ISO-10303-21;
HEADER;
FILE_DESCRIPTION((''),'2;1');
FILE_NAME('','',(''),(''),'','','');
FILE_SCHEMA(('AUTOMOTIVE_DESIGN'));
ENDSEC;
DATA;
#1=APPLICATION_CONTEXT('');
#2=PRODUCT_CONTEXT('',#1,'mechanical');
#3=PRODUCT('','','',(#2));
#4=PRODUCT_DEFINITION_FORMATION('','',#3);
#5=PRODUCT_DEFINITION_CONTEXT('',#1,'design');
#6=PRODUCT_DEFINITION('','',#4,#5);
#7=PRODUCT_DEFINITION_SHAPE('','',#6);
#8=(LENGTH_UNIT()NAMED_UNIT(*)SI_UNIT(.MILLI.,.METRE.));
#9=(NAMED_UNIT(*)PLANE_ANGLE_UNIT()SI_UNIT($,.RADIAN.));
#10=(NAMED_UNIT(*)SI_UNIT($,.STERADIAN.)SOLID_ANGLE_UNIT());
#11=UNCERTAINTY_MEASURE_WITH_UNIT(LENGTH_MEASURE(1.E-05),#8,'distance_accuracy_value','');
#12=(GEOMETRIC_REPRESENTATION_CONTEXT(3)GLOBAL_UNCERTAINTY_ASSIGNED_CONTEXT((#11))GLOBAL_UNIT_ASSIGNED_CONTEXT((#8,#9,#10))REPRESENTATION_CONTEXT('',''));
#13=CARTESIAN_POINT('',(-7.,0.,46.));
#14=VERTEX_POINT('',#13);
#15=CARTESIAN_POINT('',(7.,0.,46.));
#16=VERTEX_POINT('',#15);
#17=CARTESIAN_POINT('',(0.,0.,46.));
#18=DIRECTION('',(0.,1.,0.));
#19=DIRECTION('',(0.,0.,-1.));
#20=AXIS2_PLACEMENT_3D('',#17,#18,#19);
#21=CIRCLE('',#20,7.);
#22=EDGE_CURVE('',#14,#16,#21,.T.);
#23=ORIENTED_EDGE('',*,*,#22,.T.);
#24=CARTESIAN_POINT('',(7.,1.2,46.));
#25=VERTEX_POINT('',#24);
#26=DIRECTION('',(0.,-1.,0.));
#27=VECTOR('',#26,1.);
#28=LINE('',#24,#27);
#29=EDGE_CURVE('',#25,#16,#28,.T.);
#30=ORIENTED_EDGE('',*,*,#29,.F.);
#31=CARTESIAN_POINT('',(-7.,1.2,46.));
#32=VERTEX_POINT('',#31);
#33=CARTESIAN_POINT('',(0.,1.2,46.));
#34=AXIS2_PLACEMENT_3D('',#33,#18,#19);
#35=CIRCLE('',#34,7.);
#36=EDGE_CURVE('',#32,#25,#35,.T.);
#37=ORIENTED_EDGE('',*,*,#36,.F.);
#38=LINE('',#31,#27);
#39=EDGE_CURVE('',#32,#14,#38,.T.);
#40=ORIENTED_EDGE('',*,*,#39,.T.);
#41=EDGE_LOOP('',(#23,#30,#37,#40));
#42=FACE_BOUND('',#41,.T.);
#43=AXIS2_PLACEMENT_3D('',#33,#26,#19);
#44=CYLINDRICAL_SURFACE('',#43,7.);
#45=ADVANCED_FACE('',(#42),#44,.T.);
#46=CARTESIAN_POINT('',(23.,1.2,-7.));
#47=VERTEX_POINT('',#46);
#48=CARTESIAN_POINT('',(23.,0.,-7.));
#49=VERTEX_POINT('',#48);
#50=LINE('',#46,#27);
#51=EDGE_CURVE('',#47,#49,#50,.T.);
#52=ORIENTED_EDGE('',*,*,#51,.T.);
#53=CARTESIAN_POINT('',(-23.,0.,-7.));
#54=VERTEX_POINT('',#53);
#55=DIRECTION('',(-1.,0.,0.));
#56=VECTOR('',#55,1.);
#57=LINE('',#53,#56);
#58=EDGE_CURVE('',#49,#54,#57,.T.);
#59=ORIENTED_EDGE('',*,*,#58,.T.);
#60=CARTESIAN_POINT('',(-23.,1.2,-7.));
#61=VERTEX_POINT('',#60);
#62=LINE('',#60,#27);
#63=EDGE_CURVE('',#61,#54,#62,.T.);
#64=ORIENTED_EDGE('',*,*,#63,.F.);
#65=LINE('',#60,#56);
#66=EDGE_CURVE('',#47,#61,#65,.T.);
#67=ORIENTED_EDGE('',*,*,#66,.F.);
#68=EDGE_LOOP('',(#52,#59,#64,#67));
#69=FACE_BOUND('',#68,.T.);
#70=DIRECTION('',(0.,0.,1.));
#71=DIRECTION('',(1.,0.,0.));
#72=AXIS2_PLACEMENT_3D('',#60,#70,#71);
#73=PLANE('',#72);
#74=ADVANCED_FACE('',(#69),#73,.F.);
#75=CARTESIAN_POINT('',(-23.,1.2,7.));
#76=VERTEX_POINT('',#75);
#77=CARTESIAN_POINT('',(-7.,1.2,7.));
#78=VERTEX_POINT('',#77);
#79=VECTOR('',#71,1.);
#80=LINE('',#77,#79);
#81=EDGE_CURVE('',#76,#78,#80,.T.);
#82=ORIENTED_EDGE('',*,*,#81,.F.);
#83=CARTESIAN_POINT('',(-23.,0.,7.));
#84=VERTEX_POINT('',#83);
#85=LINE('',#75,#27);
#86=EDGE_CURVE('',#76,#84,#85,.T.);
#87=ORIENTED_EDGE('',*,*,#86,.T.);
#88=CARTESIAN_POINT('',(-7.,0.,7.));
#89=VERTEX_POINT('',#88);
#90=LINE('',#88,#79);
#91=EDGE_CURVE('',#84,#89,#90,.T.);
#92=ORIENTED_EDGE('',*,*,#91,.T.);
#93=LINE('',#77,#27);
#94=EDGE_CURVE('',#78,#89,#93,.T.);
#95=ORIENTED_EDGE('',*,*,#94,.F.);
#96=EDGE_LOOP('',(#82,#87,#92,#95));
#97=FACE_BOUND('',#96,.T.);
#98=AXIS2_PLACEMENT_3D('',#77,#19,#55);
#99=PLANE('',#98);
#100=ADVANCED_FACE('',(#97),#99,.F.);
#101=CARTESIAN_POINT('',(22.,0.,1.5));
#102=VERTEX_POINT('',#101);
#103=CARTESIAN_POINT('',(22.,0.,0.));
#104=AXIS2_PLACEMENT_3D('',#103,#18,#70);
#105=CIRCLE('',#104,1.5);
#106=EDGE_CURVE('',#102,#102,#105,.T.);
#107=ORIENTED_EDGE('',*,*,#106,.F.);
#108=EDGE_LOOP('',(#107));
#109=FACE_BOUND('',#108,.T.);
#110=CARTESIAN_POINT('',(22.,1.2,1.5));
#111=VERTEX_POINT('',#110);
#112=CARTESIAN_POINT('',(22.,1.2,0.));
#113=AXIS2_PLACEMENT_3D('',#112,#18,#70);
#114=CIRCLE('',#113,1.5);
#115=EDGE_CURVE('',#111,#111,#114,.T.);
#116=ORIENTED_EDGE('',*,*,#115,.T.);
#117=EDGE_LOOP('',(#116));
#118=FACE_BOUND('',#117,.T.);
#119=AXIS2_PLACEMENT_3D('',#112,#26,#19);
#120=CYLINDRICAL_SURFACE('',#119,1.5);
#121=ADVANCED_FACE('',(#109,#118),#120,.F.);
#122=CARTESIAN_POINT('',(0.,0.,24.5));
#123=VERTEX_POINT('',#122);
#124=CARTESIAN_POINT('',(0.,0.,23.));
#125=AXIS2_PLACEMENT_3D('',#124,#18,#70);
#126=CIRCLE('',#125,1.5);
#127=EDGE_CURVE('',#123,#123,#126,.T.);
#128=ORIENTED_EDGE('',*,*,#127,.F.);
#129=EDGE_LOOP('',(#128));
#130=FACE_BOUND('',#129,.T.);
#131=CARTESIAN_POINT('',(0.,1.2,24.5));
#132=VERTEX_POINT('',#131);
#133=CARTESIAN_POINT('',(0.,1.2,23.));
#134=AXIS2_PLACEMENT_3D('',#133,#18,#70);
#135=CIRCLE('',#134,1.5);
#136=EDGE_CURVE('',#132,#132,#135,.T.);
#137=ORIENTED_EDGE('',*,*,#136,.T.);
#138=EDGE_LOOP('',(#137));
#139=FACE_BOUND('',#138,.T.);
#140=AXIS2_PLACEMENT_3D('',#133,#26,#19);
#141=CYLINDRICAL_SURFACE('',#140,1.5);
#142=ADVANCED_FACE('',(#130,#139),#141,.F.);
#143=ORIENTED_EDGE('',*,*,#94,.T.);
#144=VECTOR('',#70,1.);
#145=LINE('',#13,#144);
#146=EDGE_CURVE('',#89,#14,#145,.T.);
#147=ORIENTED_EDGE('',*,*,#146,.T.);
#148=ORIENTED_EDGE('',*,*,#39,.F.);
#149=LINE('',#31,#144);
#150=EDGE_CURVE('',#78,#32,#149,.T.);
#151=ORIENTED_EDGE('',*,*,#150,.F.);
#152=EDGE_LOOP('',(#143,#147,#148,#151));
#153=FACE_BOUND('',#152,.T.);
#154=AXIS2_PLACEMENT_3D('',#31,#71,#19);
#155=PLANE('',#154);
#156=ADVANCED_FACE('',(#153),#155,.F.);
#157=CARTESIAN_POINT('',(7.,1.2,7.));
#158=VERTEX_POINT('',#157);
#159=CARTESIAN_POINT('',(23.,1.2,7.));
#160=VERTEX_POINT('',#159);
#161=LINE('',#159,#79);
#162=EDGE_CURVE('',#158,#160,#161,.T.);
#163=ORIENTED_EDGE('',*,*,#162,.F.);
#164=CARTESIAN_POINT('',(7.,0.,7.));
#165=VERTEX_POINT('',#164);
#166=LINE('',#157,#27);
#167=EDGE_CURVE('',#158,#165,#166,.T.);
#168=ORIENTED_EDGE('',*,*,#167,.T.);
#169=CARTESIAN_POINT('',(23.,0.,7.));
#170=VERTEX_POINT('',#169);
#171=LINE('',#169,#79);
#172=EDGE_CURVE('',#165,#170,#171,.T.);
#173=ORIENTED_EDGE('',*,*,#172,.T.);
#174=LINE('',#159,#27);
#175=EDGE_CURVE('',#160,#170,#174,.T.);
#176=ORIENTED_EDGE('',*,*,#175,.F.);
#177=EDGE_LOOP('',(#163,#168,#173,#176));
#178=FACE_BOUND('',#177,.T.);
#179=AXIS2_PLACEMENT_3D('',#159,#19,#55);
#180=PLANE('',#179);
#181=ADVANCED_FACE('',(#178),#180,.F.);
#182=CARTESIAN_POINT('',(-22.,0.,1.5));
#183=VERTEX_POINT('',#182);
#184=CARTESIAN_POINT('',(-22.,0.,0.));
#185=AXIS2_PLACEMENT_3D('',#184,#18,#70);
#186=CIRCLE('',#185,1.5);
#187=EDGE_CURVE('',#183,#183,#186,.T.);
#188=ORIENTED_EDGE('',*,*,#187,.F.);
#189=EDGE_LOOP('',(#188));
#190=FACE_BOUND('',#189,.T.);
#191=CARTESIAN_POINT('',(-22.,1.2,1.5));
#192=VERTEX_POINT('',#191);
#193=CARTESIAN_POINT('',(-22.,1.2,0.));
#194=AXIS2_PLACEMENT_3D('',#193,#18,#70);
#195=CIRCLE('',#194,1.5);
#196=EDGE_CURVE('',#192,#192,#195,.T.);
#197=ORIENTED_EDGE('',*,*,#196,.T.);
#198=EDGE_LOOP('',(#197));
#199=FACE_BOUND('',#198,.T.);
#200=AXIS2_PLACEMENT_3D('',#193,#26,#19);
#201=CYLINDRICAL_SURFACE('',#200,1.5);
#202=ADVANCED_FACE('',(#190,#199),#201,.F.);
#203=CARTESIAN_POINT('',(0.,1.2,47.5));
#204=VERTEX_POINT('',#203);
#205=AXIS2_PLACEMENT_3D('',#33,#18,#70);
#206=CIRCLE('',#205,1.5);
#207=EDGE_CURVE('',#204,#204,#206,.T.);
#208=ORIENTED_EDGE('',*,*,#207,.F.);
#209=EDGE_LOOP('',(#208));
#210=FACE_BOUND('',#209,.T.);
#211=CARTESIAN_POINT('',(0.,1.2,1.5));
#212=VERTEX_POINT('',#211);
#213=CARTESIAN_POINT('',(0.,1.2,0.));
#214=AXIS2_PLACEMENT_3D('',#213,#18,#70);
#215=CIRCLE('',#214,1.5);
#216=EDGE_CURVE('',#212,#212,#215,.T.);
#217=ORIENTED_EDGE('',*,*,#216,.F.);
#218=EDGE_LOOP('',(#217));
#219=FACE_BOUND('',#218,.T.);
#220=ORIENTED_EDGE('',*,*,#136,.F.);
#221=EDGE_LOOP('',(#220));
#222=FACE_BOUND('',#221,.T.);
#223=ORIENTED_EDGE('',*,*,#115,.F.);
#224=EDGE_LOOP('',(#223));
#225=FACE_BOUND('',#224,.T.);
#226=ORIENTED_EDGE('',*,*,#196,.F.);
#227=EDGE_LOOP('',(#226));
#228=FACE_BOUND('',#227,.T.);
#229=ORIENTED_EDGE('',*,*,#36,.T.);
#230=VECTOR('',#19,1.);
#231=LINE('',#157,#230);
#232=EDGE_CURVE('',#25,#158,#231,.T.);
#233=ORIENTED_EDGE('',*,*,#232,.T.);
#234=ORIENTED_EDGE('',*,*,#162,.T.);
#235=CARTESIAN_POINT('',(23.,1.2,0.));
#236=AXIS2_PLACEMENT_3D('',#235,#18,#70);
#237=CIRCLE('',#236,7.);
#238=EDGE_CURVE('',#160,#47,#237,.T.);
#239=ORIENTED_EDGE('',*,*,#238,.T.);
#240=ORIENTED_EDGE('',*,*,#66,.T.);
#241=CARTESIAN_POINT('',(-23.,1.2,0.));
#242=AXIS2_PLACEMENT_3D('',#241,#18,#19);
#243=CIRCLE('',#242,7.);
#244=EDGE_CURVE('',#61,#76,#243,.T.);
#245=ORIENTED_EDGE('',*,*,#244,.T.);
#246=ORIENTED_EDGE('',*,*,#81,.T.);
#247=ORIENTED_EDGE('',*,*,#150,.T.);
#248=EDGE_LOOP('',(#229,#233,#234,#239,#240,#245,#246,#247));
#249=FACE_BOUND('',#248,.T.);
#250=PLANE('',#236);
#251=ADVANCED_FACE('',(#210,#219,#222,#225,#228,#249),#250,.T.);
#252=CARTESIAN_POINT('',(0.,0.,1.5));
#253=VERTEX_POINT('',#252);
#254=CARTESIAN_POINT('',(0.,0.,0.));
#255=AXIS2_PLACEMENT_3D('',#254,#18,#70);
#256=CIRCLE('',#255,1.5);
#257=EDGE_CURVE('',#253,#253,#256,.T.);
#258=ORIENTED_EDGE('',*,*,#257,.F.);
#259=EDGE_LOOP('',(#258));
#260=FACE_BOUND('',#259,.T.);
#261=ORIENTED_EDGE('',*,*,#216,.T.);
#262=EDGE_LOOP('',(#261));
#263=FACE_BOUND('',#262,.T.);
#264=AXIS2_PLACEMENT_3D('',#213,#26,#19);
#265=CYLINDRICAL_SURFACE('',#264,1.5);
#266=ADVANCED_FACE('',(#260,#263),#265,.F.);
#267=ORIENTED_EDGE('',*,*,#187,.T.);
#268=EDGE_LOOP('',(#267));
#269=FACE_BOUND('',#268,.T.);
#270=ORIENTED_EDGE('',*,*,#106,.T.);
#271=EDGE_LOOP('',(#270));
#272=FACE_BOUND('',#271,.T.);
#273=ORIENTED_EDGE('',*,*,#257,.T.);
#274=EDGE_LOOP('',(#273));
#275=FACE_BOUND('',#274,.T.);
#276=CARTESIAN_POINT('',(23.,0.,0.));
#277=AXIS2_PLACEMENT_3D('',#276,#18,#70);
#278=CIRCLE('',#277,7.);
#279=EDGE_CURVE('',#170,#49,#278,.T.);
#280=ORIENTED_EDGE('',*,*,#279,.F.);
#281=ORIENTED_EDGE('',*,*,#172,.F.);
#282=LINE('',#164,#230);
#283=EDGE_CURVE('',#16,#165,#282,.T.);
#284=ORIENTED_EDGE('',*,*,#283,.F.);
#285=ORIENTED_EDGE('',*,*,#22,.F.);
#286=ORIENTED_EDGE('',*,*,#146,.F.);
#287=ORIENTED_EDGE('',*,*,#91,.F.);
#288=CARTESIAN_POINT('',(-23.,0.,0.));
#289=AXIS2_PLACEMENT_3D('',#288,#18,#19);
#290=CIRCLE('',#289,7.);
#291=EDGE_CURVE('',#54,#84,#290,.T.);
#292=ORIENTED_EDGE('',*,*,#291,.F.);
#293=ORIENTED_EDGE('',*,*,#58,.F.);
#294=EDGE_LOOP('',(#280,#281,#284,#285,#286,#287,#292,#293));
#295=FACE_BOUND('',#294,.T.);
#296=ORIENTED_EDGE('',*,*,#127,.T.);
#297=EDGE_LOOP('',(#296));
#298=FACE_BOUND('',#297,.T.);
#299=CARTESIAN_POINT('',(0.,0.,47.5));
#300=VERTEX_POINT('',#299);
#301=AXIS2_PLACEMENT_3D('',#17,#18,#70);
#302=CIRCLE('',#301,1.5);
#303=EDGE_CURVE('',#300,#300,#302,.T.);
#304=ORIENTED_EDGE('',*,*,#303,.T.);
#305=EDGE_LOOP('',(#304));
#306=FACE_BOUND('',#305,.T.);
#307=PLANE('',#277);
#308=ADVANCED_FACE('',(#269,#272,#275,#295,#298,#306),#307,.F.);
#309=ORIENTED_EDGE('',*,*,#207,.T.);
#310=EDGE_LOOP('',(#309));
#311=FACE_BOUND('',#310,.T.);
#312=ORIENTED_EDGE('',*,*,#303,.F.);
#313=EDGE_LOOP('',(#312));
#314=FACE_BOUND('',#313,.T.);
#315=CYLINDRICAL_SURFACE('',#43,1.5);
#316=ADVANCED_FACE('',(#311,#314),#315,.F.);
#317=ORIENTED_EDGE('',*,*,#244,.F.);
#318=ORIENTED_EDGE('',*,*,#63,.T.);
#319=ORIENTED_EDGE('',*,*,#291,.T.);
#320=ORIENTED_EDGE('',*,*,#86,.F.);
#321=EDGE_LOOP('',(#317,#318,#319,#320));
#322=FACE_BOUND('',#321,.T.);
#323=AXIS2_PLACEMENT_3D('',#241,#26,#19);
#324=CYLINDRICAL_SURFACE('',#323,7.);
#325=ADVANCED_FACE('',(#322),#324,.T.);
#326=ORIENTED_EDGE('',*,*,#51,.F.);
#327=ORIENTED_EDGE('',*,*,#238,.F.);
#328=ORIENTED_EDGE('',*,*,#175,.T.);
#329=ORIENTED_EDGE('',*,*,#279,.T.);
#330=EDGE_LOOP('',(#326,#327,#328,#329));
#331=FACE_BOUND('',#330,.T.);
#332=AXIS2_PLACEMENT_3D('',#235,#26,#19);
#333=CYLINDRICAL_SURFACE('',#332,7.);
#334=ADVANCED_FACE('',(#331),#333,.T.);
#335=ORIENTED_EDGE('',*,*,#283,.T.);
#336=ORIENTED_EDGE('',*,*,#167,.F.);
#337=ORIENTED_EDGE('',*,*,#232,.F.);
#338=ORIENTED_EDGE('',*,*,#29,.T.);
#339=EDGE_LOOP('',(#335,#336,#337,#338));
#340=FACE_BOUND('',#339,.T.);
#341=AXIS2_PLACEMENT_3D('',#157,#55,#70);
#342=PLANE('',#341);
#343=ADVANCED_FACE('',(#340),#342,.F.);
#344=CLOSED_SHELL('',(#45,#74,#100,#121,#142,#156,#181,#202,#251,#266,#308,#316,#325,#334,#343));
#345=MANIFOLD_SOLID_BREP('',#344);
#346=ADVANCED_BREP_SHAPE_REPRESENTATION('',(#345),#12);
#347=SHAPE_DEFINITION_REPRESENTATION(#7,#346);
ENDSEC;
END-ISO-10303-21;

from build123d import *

# Parameters (mm, degrees)
SKETCH_1_R      = 1.5
EXTRUDE_1_DEPTH = 1.2


with BuildPart() as part:
    # 草图1 → 凸台-拉伸1 (new body)
    with BuildSketch(Plane(origin=(0, 0, 0), x_dir=(1, 0, 0), z_dir=(0, 1, 0))):
        with BuildLine():
            Line((-23, 7), (23, 7))
            ThreePointArc((23, 7), (30, 0), (23, -7))
            Line((23, -7), (7, -7))
            Line((7, -7), (7, -46))
            ThreePointArc((7, -46), (0, -53), (-7, -46))
            Line((-7, -46), (-7, -7))
            Line((-7, -7), (-23, -7))
            ThreePointArc((-23, -7), (-30, 0), (-23, 7))
        make_face()
        with Locations(Location((22, 0, 0), (0, 0, 270))):
            Circle(SKETCH_1_R, mode=Mode.SUBTRACT)
        with Locations(Location((-22, 0, 0), (0, 0, 270))):
            Circle(SKETCH_1_R, mode=Mode.SUBTRACT)
        with Locations(Location((0, 0, 0), (0, 0, 270))):
            Circle(SKETCH_1_R, mode=Mode.SUBTRACT)
        with Locations(Location((0, -23, 0), (0, 0, 270))):
            Circle(SKETCH_1_R, mode=Mode.SUBTRACT)
        with Locations(Location((0, -46, 0), (0, 0, 270))):
            Circle(SKETCH_1_R, mode=Mode.SUBTRACT)
    extrude(amount=EXTRUDE_1_DEPTH)


solid = part.part
